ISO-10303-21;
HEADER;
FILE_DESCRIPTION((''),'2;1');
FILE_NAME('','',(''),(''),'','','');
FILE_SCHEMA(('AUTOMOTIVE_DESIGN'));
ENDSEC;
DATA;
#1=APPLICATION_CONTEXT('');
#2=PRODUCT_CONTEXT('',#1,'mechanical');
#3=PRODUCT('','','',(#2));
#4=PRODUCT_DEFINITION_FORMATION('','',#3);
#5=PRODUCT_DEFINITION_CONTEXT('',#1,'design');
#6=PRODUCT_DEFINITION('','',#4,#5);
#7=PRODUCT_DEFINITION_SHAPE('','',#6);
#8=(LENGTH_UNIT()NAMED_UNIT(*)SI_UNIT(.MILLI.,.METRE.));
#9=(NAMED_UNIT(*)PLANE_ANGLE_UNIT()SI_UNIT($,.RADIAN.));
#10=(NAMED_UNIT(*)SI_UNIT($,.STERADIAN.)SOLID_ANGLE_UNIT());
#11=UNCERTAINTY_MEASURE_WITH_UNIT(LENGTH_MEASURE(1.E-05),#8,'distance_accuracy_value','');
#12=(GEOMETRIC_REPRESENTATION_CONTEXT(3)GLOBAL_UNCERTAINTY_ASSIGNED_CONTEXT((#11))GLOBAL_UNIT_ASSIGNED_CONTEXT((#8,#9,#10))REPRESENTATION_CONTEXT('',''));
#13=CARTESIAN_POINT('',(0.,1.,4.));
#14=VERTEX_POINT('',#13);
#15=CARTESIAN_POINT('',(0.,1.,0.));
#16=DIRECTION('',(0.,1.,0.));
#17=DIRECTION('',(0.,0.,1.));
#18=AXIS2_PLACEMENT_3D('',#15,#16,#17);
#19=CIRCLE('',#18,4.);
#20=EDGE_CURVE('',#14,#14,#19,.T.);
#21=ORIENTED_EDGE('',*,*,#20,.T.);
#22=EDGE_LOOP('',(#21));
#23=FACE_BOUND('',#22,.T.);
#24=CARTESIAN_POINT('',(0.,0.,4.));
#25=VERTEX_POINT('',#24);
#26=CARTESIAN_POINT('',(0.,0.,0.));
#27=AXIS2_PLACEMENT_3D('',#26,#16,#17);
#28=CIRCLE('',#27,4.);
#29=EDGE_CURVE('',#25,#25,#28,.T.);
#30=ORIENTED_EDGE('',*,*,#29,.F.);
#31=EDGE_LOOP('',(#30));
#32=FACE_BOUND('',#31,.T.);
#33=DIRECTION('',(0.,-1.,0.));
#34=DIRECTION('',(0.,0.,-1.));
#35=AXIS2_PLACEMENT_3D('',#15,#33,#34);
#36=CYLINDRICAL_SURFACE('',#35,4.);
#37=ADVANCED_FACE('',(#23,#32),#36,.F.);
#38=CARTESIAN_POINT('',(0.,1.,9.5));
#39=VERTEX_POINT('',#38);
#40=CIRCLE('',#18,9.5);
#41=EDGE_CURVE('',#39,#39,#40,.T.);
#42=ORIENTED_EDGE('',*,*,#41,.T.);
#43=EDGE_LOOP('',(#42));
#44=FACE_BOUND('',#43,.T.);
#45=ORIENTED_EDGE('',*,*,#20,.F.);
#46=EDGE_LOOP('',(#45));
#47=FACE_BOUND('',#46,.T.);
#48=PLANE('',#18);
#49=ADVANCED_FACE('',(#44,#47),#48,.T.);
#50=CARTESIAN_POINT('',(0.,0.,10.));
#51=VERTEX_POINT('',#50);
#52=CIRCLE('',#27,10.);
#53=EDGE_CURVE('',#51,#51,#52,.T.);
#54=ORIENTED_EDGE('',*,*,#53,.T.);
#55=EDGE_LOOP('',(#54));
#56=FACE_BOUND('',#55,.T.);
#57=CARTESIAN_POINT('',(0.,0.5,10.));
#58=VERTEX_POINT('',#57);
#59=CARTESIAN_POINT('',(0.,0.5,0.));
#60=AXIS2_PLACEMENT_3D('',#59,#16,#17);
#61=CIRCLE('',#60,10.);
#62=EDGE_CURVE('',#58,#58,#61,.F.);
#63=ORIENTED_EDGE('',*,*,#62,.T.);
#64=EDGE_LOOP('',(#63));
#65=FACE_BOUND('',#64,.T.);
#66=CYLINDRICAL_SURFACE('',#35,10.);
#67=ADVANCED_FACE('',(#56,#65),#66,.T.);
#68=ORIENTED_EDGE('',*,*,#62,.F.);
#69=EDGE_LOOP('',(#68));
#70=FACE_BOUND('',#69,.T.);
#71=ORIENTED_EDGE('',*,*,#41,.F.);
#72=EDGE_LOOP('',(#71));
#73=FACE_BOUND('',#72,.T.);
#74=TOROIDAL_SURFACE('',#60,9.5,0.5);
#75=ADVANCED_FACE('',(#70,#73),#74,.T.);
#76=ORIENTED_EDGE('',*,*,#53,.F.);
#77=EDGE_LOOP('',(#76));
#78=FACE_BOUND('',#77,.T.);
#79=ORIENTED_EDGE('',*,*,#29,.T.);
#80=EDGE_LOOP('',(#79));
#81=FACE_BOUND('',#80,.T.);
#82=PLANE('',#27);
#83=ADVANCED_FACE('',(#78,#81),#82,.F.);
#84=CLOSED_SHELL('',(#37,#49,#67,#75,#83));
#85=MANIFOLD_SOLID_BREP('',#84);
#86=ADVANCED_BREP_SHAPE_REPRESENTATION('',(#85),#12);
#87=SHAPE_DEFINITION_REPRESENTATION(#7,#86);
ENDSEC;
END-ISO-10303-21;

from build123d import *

# Parameters (mm, degrees)
SKETCH1_R           = 10
SKETCH1_R_2         = 4
BOSS_EXTRUDE1_DEPTH = 1
FILLET1_R           = 0.5


with BuildPart() as part:
    # Sketch1 → Boss-Extrude1 (new body)
    with BuildSketch(Plane(origin=(0, 0, 0), x_dir=(1, 0, 0), z_dir=(0, 1, 0))):
        with Locations(Location((0, 0, 0), (0, 0, 270))):  # turned: the seam where the file's is
            Circle(SKETCH1_R)
        with Locations(Location((0, 0, 0), (0, 0, 270))):  # turned: the seam where the file's is
            Circle(SKETCH1_R_2, mode=Mode.SUBTRACT)
    extrude(amount=BOSS_EXTRUDE1_DEPTH)

    # Fillet1
    fillet1_edges = [part.edges().sort_by_distance(p)[0] for p in [
        (0, 1, -10),
    ]]
    fillet(fillet1_edges, radius=FILLET1_R)


solid = part.part
